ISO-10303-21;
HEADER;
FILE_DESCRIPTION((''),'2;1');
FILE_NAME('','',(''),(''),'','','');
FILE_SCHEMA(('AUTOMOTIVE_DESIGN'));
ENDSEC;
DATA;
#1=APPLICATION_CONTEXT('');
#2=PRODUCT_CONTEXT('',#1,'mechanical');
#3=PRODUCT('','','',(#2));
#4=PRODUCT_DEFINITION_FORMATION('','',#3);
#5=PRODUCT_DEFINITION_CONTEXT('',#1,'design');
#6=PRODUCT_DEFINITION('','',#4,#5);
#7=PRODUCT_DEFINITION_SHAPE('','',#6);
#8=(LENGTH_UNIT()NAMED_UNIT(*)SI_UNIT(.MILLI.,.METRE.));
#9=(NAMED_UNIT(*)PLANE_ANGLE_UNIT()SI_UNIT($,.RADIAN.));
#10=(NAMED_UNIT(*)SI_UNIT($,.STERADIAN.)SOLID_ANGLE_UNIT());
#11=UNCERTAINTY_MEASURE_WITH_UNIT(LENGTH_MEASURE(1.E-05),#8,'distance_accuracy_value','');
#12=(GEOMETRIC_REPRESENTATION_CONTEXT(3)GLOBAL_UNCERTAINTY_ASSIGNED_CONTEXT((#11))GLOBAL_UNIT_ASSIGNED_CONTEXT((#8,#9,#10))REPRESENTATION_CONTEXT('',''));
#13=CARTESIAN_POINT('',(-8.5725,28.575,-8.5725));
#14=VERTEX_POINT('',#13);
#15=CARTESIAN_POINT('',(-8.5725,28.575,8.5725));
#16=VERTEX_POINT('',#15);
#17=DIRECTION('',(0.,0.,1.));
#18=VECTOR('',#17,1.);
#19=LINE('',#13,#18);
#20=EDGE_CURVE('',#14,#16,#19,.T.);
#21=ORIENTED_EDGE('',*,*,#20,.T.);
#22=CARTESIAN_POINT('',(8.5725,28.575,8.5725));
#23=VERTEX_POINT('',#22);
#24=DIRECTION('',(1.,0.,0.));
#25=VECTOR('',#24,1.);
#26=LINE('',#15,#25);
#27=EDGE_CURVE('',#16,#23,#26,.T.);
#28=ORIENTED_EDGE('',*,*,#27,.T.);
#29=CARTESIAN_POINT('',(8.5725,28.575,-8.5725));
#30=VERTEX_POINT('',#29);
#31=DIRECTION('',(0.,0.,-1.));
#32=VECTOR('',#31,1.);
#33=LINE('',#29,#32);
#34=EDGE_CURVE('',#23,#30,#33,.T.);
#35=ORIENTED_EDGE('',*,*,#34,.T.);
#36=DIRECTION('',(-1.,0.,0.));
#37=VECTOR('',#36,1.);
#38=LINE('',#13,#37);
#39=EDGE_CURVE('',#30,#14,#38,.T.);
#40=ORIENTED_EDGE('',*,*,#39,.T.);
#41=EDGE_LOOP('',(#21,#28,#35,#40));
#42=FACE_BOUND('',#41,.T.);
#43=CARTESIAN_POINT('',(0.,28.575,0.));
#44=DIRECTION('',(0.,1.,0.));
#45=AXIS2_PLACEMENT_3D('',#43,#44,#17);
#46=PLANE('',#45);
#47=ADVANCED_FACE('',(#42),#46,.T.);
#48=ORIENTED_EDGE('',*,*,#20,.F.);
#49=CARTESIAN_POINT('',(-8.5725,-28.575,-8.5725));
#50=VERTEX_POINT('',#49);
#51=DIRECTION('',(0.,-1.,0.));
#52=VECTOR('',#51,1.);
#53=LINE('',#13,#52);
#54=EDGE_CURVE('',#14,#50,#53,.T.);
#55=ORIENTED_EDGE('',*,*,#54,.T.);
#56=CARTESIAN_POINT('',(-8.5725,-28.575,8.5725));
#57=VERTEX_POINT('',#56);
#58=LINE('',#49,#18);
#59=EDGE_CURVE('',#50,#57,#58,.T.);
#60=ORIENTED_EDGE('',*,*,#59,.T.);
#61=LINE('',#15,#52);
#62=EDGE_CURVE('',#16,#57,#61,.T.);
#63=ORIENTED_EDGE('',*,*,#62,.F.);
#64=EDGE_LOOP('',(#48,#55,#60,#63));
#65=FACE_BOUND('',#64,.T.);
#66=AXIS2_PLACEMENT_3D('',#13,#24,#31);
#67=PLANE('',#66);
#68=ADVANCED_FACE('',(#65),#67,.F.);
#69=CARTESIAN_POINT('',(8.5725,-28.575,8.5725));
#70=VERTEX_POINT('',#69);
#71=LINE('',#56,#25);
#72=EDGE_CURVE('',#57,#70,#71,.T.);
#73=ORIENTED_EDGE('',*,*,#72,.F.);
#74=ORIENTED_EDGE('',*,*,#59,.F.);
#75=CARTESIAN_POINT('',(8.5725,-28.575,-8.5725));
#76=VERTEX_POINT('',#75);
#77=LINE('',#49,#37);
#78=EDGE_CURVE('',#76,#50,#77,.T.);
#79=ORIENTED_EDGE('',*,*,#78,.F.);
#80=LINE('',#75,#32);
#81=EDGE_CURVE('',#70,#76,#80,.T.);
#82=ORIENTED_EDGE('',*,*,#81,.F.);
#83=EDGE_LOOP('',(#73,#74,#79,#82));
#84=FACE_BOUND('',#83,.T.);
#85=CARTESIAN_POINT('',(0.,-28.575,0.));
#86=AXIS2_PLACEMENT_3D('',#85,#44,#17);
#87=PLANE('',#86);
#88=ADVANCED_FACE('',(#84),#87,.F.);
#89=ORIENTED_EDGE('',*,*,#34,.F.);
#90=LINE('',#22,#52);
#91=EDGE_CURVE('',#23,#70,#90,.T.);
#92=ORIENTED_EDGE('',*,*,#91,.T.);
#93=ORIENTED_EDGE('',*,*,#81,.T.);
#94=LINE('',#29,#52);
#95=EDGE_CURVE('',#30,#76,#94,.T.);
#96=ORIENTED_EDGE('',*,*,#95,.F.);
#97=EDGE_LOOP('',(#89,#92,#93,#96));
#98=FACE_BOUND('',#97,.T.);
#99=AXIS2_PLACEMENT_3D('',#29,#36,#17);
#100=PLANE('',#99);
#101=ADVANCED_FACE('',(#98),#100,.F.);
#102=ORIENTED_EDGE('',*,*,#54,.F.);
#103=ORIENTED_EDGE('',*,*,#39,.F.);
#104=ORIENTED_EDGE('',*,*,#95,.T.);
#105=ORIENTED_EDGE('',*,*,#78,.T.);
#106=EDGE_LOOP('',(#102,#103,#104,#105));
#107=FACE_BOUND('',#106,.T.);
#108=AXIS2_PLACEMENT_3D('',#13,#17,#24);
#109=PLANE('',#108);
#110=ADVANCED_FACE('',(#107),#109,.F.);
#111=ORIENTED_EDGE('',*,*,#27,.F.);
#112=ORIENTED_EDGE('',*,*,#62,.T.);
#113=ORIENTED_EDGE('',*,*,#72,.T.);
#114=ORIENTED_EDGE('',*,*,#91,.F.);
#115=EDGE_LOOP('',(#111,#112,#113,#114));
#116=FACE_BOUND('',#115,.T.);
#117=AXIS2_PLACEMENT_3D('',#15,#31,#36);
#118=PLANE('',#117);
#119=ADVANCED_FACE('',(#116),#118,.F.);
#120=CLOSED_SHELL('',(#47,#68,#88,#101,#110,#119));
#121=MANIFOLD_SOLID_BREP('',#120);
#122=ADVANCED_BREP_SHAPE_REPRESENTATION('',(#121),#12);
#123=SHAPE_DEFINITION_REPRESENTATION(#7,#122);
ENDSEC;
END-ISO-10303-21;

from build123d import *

# Parameters (mm, degrees)
SKETCH1_W           = 17.145
SKETCH1_H           = 17.145
BOSS_EXTRUDE1_DEPTH = 28.575


with BuildPart() as part:
    # Sketch1 → Boss-Extrude1 (new body, symmetric)
    with BuildSketch(Plane(origin=(0, 0, 0), x_dir=(1, 0, 0), z_dir=(0, 1, 0))):
        Rectangle(SKETCH1_W, SKETCH1_H)
    extrude(amount=BOSS_EXTRUDE1_DEPTH, both=True)


solid = part.part
